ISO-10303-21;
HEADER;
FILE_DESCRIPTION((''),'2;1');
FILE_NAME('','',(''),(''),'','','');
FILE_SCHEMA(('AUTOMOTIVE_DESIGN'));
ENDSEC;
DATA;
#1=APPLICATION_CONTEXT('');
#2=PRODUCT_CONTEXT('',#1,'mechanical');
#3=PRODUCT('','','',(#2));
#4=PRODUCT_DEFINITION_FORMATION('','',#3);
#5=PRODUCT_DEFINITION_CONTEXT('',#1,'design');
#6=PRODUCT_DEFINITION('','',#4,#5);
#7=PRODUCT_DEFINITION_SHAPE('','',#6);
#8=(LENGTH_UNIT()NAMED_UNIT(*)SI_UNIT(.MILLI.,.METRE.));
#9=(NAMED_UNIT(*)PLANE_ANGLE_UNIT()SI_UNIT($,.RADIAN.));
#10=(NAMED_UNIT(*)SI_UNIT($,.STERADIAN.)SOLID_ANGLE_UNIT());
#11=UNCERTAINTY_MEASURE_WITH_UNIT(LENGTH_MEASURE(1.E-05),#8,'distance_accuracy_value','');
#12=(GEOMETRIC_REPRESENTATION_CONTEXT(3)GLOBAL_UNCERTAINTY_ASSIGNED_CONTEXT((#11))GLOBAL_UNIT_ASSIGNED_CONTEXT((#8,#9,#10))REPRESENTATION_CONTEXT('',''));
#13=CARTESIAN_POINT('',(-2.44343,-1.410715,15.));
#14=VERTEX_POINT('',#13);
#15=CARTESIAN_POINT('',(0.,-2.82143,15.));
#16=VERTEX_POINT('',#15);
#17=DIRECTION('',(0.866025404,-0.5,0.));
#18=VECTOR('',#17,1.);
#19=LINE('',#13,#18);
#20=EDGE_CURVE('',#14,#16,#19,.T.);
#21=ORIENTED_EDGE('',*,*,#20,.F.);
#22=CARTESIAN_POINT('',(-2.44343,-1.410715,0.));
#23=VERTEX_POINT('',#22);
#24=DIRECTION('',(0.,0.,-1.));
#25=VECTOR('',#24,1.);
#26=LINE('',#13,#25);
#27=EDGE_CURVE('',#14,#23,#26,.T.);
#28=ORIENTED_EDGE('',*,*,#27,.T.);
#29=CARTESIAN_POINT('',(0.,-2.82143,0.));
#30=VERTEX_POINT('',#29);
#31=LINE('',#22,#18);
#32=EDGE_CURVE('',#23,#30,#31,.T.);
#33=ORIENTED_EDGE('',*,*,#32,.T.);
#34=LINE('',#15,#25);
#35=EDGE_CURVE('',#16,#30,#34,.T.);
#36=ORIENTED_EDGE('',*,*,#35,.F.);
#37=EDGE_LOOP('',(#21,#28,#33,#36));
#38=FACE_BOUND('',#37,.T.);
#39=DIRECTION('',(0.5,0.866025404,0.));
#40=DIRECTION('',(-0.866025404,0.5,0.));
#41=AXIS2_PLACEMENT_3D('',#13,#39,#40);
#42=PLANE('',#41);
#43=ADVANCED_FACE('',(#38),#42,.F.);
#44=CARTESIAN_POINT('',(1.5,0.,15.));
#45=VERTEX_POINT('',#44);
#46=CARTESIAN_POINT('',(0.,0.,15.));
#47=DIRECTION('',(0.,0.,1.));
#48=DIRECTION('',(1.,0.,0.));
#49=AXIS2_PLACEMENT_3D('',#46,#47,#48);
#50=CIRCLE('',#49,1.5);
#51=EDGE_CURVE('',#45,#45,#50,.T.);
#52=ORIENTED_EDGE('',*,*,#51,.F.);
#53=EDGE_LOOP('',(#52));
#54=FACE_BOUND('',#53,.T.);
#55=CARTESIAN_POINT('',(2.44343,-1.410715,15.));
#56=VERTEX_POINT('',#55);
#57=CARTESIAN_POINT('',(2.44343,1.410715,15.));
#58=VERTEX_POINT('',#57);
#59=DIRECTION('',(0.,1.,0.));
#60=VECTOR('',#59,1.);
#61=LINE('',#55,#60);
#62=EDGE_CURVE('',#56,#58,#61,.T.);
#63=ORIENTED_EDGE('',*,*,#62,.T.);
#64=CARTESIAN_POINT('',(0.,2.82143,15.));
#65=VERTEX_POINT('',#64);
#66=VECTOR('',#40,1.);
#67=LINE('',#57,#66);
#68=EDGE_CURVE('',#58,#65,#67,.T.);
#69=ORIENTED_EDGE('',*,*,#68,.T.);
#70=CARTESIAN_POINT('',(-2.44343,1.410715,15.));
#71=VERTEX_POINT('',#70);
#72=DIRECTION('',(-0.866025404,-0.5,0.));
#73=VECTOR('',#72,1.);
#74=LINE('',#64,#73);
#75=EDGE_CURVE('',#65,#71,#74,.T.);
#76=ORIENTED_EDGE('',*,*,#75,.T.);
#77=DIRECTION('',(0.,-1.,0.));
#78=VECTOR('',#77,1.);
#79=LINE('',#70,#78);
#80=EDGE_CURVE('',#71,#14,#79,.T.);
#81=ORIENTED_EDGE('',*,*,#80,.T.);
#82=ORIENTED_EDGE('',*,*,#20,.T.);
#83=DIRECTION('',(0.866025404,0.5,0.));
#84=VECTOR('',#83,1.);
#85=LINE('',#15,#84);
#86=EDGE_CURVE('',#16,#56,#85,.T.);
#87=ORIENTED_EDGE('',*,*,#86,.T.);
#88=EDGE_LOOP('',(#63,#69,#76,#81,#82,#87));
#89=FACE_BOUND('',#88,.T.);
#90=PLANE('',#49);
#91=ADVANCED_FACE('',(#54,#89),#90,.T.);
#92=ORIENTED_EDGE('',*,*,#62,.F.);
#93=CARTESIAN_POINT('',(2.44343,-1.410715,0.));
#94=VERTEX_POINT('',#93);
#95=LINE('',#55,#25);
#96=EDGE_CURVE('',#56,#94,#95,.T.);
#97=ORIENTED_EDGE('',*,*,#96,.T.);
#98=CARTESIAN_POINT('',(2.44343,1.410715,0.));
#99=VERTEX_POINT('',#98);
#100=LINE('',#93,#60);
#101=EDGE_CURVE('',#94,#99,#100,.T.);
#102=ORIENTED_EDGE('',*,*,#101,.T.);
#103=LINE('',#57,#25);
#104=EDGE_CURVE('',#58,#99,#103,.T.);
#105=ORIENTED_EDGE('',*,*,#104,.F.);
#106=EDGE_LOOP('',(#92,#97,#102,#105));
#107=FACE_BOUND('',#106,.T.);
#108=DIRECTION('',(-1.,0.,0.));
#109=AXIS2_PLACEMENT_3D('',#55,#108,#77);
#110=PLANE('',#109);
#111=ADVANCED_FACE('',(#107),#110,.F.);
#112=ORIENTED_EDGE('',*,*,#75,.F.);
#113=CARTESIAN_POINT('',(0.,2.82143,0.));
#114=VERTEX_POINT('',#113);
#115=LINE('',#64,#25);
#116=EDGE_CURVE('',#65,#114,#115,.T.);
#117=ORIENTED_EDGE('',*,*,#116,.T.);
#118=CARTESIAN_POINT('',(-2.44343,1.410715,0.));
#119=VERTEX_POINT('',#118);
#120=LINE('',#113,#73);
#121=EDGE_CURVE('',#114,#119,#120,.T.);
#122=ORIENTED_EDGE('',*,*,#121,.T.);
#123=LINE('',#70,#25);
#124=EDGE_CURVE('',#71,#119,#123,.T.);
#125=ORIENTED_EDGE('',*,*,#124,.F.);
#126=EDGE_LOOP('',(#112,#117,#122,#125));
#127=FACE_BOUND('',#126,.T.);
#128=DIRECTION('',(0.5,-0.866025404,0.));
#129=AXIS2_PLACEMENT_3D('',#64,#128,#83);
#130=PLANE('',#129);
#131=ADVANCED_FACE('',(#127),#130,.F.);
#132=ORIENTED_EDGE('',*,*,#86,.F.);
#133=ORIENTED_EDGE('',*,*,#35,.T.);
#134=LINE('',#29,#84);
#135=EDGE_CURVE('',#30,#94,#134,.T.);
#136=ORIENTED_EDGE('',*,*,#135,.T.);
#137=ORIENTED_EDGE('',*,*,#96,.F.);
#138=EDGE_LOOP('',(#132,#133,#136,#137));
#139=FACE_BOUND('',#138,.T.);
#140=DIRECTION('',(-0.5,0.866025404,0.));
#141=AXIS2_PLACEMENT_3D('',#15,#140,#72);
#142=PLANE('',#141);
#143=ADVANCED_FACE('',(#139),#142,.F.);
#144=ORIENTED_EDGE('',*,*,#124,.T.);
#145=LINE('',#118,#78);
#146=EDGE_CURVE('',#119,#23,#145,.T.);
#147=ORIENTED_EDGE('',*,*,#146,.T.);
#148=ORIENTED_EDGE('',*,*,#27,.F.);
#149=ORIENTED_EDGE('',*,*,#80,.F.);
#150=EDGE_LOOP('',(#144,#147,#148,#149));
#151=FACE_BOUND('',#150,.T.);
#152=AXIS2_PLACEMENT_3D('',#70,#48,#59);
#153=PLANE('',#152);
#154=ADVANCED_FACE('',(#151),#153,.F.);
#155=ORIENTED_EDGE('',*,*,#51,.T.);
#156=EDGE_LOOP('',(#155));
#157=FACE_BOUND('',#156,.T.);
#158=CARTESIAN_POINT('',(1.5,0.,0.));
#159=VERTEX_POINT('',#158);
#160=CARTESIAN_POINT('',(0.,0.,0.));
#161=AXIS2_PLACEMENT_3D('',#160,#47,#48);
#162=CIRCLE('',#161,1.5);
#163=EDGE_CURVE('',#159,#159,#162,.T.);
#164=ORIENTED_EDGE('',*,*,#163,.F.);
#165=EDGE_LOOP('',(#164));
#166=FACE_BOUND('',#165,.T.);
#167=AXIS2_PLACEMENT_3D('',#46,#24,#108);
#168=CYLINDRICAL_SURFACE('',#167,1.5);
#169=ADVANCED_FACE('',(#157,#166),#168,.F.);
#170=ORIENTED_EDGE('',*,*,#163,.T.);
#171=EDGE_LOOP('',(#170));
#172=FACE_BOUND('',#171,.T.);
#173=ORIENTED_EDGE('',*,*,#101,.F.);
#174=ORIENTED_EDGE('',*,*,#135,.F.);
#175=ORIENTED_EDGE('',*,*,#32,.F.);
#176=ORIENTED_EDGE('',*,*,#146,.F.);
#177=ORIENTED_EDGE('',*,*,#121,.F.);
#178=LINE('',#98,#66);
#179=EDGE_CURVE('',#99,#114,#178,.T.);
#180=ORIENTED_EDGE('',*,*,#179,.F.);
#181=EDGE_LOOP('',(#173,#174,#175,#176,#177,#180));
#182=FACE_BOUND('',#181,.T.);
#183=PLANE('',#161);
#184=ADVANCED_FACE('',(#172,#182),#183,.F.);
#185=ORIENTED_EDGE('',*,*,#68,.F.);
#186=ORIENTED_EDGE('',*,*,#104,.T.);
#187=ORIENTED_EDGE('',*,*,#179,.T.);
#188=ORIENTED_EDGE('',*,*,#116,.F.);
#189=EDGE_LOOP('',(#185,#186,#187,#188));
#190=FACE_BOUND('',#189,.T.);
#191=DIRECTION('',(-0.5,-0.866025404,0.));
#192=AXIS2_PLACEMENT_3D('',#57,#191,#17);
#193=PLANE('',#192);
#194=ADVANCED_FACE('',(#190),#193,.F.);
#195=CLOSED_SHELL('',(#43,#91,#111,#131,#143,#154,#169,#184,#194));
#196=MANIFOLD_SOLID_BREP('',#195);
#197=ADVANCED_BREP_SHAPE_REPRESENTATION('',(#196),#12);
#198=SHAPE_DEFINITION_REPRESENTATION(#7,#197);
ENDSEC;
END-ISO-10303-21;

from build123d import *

# Parameters (mm, degrees)
SKETCH_1_R      = 1.5
EXTRUDE_1_DEPTH = 15


with BuildPart() as part:
    # 草图1 → 凸台-拉伸1 (new body)
    with BuildSketch(Plane.XY):
        Polygon((0, 2.82142964), (-2.443429743, 1.41071482), (-2.443429743, -1.41071482), (0, -2.82142964), (2.443429743, -1.41071482), (2.443429743, 1.41071482), align=None)
        Circle(SKETCH_1_R, mode=Mode.SUBTRACT)
    extrude(amount=EXTRUDE_1_DEPTH)


solid = part.part
